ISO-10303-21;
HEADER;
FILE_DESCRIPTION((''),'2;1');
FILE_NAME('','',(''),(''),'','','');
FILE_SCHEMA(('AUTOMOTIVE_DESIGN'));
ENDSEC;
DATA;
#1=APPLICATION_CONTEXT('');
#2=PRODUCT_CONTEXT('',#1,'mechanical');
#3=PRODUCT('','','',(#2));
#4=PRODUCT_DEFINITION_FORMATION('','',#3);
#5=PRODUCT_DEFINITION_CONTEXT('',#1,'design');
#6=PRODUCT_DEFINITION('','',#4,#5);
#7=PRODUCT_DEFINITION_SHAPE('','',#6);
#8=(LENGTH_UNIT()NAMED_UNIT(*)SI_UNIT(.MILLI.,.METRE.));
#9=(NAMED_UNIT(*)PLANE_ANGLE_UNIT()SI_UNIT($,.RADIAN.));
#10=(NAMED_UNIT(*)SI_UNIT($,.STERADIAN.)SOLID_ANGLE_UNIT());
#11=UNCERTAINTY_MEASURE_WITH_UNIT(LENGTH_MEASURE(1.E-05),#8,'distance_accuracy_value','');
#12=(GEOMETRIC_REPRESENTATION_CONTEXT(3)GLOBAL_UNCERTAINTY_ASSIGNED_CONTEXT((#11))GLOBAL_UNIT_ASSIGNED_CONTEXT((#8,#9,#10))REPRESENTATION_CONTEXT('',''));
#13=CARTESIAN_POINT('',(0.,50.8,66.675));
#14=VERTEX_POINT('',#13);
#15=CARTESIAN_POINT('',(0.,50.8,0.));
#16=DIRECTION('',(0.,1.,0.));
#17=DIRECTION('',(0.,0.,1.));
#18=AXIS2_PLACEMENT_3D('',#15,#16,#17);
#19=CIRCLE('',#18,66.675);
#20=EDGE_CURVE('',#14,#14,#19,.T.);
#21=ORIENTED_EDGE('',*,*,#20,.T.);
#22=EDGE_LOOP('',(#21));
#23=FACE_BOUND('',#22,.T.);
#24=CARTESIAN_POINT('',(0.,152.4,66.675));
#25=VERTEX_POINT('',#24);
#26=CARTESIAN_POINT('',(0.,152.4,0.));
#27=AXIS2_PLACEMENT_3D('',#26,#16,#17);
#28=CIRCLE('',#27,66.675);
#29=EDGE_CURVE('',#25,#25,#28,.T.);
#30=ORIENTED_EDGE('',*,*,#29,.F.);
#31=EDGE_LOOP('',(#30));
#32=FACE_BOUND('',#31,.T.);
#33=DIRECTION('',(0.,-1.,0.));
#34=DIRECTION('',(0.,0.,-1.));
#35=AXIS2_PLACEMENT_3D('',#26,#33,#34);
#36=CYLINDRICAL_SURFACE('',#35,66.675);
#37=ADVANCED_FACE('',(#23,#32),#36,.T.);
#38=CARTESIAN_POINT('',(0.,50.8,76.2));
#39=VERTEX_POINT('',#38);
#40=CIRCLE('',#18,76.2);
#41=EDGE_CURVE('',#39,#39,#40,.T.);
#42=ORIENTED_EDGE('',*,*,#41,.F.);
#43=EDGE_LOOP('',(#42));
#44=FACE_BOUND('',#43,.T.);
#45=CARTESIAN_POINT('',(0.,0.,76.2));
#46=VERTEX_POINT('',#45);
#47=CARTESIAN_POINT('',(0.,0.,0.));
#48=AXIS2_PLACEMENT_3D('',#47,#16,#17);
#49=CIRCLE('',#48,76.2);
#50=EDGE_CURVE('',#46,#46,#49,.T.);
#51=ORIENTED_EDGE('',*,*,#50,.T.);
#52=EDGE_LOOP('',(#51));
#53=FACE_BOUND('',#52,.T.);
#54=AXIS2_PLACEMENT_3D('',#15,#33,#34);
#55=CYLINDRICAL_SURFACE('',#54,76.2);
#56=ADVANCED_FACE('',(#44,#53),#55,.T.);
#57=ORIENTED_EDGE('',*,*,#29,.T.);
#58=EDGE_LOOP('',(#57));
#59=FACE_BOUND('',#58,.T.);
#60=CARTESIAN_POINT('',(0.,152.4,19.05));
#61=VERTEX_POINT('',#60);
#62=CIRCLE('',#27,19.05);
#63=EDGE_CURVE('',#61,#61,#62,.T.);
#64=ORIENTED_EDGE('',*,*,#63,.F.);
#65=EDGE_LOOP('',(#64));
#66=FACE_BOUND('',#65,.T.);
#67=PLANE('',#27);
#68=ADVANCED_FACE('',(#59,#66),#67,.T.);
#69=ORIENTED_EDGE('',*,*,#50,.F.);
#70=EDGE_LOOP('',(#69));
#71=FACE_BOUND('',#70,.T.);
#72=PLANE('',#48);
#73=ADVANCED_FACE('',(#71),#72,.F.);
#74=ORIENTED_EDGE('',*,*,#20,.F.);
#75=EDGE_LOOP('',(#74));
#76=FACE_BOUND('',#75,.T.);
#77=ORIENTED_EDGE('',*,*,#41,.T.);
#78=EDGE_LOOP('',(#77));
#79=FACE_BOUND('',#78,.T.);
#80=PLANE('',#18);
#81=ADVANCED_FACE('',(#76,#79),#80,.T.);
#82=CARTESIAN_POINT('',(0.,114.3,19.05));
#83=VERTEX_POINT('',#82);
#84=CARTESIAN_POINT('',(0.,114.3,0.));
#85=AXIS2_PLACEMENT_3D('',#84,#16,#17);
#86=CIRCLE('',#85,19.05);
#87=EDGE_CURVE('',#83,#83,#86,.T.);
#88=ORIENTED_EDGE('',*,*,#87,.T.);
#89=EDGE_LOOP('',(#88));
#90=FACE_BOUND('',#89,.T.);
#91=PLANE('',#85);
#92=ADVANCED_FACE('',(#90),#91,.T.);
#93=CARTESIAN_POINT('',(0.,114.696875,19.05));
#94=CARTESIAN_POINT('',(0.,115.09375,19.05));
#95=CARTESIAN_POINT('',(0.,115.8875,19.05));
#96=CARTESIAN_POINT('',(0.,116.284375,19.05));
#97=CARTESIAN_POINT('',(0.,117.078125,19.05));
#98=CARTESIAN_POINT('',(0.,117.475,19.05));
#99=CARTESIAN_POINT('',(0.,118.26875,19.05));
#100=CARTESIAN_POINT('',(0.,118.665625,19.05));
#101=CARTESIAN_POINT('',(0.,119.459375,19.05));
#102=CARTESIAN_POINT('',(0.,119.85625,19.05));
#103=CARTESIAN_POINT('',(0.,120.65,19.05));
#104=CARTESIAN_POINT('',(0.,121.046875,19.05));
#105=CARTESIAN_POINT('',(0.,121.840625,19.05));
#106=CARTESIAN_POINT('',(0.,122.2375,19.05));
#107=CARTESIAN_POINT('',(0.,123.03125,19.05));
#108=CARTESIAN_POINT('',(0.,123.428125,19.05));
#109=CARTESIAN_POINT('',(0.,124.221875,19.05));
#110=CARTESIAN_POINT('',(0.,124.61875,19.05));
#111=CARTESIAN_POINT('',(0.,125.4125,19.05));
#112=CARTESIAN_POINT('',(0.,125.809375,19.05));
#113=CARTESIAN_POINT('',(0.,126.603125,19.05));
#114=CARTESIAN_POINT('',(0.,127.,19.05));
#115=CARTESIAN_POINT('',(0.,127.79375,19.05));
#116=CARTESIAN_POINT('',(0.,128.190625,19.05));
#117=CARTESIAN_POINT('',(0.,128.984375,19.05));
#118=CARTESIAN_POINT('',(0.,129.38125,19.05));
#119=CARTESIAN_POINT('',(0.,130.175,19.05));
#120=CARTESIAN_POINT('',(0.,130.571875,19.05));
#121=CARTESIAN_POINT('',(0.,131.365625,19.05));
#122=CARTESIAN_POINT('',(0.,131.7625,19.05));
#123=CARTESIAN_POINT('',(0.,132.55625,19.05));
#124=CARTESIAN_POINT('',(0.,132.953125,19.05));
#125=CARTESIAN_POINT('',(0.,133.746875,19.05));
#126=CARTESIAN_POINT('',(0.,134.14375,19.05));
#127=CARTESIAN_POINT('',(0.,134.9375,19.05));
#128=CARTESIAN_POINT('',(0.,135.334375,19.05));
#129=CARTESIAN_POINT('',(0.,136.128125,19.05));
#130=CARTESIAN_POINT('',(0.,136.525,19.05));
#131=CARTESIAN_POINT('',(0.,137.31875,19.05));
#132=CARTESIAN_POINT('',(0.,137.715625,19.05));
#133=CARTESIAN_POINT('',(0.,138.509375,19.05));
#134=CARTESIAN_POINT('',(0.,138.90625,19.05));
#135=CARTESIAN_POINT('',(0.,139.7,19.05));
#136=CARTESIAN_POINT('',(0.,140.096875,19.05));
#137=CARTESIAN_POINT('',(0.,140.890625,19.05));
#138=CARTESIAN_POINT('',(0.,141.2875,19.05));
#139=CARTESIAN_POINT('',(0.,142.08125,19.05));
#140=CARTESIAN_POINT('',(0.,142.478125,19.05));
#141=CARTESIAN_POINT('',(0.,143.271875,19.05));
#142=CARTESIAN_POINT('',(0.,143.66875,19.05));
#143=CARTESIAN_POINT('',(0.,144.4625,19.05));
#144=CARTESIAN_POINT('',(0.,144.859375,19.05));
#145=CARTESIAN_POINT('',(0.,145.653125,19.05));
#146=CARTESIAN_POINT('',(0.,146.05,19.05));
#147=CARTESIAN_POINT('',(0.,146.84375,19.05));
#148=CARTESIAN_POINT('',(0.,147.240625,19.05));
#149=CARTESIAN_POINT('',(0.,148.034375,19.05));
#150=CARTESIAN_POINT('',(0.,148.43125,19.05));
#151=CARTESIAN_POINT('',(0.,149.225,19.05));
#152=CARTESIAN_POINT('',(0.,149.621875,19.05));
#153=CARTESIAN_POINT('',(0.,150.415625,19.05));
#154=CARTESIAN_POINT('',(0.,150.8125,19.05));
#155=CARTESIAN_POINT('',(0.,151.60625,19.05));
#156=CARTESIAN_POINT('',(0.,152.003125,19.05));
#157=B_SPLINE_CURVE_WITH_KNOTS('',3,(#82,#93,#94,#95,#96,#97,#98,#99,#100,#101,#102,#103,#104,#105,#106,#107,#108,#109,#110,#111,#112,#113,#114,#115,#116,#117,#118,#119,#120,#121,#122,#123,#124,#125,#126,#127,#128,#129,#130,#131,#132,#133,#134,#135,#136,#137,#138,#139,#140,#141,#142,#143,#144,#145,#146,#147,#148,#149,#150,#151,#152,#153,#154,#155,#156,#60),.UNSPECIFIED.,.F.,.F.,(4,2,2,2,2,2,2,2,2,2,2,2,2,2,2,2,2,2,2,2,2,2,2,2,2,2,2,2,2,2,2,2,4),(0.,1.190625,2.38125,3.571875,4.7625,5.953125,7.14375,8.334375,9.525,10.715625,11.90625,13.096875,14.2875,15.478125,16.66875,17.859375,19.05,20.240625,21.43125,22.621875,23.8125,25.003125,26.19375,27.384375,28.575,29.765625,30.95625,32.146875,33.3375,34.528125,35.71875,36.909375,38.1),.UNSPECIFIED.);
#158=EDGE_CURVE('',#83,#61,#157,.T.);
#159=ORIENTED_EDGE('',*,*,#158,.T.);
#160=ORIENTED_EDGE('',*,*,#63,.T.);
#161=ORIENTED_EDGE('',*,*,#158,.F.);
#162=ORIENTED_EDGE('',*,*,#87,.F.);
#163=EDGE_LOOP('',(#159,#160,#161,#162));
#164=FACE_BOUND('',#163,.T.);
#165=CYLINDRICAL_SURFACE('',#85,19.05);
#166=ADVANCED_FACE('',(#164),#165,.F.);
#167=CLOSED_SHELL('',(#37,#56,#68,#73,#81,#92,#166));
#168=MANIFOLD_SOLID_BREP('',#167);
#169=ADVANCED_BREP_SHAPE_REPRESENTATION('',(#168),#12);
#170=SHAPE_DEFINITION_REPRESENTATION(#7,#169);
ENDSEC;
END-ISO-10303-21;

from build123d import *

# Parameters (mm, degrees)
SKETCH1_R           = 76.2
BOSS_EXTRUDE1_DEPTH = 50.8
SKETCH2_R           = 66.675
BOSS_EXTRUDE2_DEPTH = 101.6
SKETCH3_R           = 19.05
CUT_EXTRUDE1_DEPTH  = 38.1


with BuildPart() as part:
    # Sketch1 → Boss-Extrude1 (new body)
    with BuildSketch(Plane(origin=(0, 0, 0), x_dir=(1, 0, 0), z_dir=(0, 1, 0))):
        Circle(SKETCH1_R)
    extrude(amount=BOSS_EXTRUDE1_DEPTH)

    # Sketch2 → Boss-Extrude2 (add)
    with BuildSketch(Plane(origin=(0, 50.8, 0), x_dir=(1, 0, 0), z_dir=(0, 1, 0))):
        Circle(SKETCH2_R)
    extrude(amount=BOSS_EXTRUDE2_DEPTH)

    # Sketch3 → Cut-Extrude1 (cut)
    with BuildSketch(Plane(origin=(0, 152.4, 0), x_dir=(1, 0, 0), z_dir=(0, 1, 0))):
        Circle(SKETCH3_R)
    extrude(amount=-CUT_EXTRUDE1_DEPTH, mode=Mode.SUBTRACT)


solid = part.part
